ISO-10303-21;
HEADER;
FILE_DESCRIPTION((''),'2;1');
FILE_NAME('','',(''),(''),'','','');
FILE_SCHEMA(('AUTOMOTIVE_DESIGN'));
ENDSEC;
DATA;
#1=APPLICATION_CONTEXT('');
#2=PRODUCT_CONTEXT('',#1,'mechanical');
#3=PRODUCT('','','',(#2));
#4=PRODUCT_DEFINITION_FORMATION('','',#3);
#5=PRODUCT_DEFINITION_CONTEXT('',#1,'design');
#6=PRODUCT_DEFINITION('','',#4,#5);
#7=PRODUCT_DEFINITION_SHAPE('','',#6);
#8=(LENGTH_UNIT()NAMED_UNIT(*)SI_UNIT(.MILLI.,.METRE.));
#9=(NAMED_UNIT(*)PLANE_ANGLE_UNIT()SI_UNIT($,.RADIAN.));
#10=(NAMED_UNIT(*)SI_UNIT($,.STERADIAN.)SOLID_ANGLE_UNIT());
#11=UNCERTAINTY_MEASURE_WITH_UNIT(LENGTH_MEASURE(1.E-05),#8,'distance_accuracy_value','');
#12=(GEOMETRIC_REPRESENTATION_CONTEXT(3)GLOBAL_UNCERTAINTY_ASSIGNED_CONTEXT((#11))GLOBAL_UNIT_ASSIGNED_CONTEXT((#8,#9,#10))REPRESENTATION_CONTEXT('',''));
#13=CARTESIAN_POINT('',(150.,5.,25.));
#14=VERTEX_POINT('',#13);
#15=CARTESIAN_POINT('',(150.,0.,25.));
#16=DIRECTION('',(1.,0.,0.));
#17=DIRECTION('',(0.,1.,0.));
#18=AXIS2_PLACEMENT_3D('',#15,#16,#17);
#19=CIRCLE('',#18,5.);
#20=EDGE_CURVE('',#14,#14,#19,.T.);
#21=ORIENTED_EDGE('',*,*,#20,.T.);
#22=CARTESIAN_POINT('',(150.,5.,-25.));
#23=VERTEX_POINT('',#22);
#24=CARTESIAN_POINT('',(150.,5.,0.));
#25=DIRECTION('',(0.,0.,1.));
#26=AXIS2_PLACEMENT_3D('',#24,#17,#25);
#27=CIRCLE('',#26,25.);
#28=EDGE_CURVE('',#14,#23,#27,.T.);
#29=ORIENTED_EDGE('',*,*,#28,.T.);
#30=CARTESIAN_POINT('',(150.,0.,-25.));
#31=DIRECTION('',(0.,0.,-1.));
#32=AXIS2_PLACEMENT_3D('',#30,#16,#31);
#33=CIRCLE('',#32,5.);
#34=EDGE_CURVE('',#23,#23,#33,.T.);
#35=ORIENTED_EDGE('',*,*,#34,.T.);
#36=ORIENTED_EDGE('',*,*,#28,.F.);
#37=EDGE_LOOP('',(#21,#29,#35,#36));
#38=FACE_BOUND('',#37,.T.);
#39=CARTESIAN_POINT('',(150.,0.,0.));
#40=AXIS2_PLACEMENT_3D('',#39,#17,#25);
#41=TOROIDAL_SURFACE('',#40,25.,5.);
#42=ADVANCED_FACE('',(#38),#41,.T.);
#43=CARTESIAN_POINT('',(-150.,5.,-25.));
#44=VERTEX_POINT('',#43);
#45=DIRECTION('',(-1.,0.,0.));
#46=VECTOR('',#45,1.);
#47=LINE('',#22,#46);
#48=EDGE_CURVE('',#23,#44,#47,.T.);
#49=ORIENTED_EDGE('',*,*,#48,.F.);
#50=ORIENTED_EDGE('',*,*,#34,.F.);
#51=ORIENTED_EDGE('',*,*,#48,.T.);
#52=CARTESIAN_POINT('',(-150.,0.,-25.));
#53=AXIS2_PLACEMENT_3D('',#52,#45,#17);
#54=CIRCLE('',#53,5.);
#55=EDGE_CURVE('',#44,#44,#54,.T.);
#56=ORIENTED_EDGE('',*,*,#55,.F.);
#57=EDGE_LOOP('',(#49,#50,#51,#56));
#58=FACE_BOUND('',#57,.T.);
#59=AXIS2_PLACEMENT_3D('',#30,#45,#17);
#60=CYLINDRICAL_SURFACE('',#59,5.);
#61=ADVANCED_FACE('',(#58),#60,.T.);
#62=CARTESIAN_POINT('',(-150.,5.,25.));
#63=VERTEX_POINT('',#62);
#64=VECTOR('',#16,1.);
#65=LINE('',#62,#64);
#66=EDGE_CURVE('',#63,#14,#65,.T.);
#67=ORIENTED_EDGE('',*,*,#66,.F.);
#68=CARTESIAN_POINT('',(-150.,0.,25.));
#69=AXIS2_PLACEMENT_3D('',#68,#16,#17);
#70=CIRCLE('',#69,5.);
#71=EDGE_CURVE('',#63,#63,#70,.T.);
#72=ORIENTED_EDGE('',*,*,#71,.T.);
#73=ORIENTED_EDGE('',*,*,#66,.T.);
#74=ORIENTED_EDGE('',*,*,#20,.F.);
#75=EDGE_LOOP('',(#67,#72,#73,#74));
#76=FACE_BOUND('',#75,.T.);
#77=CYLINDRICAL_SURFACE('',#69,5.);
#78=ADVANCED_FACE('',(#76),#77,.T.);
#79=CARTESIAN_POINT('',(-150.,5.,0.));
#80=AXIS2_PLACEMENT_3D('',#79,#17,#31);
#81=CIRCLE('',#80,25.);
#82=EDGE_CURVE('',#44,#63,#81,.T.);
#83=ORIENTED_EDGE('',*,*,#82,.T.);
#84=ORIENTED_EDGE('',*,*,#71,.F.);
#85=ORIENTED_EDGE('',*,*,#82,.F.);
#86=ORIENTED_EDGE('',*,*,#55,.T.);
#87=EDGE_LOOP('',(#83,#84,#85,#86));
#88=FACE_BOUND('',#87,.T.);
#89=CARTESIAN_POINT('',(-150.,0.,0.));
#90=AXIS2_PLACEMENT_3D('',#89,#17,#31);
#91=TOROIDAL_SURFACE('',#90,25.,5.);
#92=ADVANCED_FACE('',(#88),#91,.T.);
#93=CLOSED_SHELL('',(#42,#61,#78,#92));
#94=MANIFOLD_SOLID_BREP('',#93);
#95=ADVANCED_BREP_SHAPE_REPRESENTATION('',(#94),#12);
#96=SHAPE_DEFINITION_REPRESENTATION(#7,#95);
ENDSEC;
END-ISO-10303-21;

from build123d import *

# Parameters (mm, degrees)
F1_R = 5


with BuildPart() as f2:
    # F2: sweep along a path in F0
    with BuildLine(Plane.XZ) as f2_path:
        Line((-150, 25), (150, 25))
        ThreePointArc((150, 25), (175, 0), (150, -25))
        Line((150, -25), (-150, -25))
        ThreePointArc((-150, -25), (-175, 0), (-150, 25))
    # F1 (on Right) → F2 (sweep)
    with BuildSketch(Plane.YZ):
        with Locations((0, 25)):
            Circle(F1_R)
    sweep(path=f2_path.line)


solid = f2.part
